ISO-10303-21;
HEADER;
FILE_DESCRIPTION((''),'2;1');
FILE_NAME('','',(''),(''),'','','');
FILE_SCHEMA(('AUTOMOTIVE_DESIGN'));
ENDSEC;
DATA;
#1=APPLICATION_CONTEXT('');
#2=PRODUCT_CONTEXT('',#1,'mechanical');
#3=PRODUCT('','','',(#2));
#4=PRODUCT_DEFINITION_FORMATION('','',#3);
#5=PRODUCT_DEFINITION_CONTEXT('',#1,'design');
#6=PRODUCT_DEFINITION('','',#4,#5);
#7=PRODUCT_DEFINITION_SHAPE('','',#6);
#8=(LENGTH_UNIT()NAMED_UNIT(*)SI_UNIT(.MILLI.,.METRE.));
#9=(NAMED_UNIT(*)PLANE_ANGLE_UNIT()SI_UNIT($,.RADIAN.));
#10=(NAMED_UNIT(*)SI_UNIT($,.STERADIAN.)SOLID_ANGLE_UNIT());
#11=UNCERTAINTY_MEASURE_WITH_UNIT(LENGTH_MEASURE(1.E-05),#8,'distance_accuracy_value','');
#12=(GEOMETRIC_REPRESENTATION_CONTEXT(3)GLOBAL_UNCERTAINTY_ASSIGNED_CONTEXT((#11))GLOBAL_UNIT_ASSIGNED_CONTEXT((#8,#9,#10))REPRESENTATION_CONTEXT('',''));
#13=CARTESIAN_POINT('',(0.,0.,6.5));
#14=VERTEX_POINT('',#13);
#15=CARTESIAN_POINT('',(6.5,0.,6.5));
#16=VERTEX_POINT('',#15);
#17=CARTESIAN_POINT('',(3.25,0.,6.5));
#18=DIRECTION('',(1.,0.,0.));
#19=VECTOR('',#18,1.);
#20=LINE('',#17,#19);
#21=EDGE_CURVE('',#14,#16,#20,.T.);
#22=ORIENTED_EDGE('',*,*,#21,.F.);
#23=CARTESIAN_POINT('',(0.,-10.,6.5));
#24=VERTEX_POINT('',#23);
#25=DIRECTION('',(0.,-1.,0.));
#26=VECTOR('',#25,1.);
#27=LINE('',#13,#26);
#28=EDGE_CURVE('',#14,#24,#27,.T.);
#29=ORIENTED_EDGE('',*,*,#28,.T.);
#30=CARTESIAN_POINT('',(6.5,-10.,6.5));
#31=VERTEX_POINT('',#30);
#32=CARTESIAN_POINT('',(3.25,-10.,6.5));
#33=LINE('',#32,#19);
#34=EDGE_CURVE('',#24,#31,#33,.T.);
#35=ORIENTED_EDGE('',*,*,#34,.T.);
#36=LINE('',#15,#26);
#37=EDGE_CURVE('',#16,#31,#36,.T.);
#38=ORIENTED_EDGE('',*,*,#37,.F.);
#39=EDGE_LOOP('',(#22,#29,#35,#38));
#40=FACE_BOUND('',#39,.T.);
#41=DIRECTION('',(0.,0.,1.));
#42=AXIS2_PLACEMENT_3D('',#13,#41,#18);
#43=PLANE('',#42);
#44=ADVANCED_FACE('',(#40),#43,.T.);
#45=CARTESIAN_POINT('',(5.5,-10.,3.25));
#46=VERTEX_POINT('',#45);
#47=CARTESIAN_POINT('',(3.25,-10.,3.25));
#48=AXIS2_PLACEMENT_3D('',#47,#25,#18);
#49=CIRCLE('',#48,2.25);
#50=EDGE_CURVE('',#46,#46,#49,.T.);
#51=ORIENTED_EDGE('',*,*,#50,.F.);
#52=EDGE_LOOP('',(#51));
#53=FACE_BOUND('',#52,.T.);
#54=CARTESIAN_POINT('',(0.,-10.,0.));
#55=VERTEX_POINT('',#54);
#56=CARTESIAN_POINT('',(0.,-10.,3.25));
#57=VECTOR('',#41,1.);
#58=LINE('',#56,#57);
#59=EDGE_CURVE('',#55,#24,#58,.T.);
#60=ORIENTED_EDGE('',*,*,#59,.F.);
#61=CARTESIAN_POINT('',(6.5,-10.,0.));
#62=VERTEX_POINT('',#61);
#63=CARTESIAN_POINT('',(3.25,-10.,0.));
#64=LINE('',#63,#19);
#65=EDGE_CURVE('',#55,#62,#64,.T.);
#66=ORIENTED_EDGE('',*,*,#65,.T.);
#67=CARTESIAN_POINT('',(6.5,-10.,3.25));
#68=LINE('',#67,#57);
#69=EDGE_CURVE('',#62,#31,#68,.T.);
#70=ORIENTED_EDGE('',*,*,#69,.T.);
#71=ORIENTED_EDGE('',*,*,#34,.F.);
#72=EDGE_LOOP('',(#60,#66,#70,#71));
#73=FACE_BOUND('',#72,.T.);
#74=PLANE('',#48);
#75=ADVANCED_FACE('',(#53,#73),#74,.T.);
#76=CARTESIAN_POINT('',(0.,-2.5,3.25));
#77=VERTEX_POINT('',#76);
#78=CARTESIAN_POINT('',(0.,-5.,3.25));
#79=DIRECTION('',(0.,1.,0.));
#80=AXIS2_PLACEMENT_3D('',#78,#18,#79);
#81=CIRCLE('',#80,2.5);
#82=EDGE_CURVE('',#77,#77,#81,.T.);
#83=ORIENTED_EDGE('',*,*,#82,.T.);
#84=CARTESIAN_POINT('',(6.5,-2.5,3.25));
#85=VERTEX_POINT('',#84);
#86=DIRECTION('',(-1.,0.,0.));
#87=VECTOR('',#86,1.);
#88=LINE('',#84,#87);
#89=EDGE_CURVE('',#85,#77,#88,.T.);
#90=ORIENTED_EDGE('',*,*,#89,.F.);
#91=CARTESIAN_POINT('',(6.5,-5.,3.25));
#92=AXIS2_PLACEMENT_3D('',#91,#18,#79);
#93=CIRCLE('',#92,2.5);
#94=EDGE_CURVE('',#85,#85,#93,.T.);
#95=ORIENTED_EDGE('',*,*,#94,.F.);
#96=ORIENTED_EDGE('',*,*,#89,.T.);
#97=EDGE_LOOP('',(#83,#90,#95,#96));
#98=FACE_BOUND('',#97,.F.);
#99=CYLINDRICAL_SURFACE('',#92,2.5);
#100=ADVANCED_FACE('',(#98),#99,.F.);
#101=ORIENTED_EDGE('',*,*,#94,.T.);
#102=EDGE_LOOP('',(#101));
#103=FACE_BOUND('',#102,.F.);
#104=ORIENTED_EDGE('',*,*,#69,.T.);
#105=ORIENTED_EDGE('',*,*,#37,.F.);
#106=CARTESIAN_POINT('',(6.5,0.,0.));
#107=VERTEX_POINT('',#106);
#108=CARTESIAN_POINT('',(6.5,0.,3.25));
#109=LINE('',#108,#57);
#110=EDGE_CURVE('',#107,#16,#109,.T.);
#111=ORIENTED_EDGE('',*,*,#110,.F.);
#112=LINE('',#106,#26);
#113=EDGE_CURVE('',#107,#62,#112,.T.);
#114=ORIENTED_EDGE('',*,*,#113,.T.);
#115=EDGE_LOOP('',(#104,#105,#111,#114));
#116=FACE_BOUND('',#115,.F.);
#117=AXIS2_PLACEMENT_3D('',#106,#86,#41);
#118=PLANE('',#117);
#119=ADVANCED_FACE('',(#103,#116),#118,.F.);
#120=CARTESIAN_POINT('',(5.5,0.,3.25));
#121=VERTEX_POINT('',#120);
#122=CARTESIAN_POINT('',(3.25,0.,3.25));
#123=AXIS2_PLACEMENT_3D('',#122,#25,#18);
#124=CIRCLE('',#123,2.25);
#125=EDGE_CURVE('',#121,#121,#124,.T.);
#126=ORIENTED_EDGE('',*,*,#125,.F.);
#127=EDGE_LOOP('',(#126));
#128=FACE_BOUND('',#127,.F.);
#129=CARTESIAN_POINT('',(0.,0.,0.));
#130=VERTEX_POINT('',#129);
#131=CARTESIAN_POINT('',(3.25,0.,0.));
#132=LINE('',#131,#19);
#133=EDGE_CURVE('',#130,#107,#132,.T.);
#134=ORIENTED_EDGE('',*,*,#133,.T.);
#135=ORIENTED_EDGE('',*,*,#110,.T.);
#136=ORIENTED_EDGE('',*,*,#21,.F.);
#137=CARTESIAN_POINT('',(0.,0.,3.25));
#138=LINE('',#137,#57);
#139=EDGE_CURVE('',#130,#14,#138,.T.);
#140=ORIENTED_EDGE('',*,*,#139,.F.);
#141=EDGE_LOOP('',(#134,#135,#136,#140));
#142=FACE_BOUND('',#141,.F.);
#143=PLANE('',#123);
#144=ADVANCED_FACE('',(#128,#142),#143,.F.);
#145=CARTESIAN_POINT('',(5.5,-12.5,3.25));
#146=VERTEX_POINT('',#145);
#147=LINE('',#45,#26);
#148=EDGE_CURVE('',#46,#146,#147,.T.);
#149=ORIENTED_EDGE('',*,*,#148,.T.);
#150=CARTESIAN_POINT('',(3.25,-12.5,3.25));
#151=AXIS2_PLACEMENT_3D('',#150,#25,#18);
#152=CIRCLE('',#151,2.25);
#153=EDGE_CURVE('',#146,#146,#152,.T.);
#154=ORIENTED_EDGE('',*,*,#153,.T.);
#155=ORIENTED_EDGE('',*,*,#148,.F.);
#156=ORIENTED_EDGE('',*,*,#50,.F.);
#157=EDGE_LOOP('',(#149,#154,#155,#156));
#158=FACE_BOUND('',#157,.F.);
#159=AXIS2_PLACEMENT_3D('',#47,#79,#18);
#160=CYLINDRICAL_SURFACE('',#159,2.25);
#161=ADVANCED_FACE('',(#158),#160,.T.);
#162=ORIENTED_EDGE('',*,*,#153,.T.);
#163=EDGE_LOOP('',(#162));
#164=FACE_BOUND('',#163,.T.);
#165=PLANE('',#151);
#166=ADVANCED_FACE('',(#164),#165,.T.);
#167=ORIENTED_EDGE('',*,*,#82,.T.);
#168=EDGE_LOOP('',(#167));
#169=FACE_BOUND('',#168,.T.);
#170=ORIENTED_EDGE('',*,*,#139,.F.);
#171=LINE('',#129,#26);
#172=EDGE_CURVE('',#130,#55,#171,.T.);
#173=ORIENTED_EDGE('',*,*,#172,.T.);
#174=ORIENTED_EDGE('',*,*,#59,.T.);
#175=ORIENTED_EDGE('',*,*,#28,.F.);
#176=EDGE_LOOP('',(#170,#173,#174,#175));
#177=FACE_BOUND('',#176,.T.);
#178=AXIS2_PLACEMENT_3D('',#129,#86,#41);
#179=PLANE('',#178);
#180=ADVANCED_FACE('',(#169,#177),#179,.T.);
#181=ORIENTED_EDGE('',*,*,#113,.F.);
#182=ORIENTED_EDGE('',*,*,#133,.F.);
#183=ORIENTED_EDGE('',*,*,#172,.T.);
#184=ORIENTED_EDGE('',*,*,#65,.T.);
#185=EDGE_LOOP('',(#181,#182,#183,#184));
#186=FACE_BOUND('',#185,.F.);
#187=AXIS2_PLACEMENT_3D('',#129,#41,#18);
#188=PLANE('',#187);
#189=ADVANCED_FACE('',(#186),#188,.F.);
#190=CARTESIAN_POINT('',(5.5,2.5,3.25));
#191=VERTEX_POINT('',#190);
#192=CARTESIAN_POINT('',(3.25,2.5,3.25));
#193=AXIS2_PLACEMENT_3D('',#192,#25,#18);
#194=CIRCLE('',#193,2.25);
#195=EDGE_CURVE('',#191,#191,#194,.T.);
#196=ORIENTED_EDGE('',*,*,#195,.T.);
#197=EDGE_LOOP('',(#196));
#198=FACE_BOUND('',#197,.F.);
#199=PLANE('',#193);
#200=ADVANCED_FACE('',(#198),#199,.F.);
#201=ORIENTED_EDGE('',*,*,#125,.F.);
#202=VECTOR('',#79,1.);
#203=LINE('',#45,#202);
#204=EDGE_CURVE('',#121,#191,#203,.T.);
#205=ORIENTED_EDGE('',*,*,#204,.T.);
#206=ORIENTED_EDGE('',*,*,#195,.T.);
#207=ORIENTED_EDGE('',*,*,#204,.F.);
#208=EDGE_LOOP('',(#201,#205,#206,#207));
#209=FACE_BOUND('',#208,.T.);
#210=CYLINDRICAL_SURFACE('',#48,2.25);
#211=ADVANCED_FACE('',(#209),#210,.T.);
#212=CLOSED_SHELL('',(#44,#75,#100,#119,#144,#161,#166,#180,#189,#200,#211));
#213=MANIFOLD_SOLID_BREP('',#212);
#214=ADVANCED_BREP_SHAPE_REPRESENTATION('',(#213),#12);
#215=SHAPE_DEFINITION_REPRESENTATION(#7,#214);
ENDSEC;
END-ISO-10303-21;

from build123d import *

# Parameters (mm, degrees)
F0_W          = 6.5
F0_H          = 6.5
F1_DEPTH      = 10
F2_R          = 2.25
F3_DEPTH      = 2.5
F3_DEPTH_BACK = 12.5
F4_R          = 2.5
F5_DEPTH      = 25


with BuildPart() as f1:
    # F0 (on Front) → F1 (new body)
    with BuildSketch(Plane.XZ):
        with Locations((3.25, 3.25)):
            Rectangle(F0_W, F0_H)
    extrude(amount=F1_DEPTH)

    # F2 (on face) → F3 (join, two sides)
    with BuildSketch(Plane.XZ.offset(10)) as f3_sk:
        with Locations((3.25, 3.25)):
            Circle(F2_R)
    extrude(amount=F3_DEPTH)
    extrude(f3_sk.sketch, amount=-F3_DEPTH_BACK)

    # F4 (on face) → F5 (cut)
    with BuildSketch(Plane.YZ.offset(6.5)):
        with Locations((-5, 3.25)):
            Circle(F4_R)
    extrude(amount=-F5_DEPTH, mode=Mode.SUBTRACT)


solid = f1.part
